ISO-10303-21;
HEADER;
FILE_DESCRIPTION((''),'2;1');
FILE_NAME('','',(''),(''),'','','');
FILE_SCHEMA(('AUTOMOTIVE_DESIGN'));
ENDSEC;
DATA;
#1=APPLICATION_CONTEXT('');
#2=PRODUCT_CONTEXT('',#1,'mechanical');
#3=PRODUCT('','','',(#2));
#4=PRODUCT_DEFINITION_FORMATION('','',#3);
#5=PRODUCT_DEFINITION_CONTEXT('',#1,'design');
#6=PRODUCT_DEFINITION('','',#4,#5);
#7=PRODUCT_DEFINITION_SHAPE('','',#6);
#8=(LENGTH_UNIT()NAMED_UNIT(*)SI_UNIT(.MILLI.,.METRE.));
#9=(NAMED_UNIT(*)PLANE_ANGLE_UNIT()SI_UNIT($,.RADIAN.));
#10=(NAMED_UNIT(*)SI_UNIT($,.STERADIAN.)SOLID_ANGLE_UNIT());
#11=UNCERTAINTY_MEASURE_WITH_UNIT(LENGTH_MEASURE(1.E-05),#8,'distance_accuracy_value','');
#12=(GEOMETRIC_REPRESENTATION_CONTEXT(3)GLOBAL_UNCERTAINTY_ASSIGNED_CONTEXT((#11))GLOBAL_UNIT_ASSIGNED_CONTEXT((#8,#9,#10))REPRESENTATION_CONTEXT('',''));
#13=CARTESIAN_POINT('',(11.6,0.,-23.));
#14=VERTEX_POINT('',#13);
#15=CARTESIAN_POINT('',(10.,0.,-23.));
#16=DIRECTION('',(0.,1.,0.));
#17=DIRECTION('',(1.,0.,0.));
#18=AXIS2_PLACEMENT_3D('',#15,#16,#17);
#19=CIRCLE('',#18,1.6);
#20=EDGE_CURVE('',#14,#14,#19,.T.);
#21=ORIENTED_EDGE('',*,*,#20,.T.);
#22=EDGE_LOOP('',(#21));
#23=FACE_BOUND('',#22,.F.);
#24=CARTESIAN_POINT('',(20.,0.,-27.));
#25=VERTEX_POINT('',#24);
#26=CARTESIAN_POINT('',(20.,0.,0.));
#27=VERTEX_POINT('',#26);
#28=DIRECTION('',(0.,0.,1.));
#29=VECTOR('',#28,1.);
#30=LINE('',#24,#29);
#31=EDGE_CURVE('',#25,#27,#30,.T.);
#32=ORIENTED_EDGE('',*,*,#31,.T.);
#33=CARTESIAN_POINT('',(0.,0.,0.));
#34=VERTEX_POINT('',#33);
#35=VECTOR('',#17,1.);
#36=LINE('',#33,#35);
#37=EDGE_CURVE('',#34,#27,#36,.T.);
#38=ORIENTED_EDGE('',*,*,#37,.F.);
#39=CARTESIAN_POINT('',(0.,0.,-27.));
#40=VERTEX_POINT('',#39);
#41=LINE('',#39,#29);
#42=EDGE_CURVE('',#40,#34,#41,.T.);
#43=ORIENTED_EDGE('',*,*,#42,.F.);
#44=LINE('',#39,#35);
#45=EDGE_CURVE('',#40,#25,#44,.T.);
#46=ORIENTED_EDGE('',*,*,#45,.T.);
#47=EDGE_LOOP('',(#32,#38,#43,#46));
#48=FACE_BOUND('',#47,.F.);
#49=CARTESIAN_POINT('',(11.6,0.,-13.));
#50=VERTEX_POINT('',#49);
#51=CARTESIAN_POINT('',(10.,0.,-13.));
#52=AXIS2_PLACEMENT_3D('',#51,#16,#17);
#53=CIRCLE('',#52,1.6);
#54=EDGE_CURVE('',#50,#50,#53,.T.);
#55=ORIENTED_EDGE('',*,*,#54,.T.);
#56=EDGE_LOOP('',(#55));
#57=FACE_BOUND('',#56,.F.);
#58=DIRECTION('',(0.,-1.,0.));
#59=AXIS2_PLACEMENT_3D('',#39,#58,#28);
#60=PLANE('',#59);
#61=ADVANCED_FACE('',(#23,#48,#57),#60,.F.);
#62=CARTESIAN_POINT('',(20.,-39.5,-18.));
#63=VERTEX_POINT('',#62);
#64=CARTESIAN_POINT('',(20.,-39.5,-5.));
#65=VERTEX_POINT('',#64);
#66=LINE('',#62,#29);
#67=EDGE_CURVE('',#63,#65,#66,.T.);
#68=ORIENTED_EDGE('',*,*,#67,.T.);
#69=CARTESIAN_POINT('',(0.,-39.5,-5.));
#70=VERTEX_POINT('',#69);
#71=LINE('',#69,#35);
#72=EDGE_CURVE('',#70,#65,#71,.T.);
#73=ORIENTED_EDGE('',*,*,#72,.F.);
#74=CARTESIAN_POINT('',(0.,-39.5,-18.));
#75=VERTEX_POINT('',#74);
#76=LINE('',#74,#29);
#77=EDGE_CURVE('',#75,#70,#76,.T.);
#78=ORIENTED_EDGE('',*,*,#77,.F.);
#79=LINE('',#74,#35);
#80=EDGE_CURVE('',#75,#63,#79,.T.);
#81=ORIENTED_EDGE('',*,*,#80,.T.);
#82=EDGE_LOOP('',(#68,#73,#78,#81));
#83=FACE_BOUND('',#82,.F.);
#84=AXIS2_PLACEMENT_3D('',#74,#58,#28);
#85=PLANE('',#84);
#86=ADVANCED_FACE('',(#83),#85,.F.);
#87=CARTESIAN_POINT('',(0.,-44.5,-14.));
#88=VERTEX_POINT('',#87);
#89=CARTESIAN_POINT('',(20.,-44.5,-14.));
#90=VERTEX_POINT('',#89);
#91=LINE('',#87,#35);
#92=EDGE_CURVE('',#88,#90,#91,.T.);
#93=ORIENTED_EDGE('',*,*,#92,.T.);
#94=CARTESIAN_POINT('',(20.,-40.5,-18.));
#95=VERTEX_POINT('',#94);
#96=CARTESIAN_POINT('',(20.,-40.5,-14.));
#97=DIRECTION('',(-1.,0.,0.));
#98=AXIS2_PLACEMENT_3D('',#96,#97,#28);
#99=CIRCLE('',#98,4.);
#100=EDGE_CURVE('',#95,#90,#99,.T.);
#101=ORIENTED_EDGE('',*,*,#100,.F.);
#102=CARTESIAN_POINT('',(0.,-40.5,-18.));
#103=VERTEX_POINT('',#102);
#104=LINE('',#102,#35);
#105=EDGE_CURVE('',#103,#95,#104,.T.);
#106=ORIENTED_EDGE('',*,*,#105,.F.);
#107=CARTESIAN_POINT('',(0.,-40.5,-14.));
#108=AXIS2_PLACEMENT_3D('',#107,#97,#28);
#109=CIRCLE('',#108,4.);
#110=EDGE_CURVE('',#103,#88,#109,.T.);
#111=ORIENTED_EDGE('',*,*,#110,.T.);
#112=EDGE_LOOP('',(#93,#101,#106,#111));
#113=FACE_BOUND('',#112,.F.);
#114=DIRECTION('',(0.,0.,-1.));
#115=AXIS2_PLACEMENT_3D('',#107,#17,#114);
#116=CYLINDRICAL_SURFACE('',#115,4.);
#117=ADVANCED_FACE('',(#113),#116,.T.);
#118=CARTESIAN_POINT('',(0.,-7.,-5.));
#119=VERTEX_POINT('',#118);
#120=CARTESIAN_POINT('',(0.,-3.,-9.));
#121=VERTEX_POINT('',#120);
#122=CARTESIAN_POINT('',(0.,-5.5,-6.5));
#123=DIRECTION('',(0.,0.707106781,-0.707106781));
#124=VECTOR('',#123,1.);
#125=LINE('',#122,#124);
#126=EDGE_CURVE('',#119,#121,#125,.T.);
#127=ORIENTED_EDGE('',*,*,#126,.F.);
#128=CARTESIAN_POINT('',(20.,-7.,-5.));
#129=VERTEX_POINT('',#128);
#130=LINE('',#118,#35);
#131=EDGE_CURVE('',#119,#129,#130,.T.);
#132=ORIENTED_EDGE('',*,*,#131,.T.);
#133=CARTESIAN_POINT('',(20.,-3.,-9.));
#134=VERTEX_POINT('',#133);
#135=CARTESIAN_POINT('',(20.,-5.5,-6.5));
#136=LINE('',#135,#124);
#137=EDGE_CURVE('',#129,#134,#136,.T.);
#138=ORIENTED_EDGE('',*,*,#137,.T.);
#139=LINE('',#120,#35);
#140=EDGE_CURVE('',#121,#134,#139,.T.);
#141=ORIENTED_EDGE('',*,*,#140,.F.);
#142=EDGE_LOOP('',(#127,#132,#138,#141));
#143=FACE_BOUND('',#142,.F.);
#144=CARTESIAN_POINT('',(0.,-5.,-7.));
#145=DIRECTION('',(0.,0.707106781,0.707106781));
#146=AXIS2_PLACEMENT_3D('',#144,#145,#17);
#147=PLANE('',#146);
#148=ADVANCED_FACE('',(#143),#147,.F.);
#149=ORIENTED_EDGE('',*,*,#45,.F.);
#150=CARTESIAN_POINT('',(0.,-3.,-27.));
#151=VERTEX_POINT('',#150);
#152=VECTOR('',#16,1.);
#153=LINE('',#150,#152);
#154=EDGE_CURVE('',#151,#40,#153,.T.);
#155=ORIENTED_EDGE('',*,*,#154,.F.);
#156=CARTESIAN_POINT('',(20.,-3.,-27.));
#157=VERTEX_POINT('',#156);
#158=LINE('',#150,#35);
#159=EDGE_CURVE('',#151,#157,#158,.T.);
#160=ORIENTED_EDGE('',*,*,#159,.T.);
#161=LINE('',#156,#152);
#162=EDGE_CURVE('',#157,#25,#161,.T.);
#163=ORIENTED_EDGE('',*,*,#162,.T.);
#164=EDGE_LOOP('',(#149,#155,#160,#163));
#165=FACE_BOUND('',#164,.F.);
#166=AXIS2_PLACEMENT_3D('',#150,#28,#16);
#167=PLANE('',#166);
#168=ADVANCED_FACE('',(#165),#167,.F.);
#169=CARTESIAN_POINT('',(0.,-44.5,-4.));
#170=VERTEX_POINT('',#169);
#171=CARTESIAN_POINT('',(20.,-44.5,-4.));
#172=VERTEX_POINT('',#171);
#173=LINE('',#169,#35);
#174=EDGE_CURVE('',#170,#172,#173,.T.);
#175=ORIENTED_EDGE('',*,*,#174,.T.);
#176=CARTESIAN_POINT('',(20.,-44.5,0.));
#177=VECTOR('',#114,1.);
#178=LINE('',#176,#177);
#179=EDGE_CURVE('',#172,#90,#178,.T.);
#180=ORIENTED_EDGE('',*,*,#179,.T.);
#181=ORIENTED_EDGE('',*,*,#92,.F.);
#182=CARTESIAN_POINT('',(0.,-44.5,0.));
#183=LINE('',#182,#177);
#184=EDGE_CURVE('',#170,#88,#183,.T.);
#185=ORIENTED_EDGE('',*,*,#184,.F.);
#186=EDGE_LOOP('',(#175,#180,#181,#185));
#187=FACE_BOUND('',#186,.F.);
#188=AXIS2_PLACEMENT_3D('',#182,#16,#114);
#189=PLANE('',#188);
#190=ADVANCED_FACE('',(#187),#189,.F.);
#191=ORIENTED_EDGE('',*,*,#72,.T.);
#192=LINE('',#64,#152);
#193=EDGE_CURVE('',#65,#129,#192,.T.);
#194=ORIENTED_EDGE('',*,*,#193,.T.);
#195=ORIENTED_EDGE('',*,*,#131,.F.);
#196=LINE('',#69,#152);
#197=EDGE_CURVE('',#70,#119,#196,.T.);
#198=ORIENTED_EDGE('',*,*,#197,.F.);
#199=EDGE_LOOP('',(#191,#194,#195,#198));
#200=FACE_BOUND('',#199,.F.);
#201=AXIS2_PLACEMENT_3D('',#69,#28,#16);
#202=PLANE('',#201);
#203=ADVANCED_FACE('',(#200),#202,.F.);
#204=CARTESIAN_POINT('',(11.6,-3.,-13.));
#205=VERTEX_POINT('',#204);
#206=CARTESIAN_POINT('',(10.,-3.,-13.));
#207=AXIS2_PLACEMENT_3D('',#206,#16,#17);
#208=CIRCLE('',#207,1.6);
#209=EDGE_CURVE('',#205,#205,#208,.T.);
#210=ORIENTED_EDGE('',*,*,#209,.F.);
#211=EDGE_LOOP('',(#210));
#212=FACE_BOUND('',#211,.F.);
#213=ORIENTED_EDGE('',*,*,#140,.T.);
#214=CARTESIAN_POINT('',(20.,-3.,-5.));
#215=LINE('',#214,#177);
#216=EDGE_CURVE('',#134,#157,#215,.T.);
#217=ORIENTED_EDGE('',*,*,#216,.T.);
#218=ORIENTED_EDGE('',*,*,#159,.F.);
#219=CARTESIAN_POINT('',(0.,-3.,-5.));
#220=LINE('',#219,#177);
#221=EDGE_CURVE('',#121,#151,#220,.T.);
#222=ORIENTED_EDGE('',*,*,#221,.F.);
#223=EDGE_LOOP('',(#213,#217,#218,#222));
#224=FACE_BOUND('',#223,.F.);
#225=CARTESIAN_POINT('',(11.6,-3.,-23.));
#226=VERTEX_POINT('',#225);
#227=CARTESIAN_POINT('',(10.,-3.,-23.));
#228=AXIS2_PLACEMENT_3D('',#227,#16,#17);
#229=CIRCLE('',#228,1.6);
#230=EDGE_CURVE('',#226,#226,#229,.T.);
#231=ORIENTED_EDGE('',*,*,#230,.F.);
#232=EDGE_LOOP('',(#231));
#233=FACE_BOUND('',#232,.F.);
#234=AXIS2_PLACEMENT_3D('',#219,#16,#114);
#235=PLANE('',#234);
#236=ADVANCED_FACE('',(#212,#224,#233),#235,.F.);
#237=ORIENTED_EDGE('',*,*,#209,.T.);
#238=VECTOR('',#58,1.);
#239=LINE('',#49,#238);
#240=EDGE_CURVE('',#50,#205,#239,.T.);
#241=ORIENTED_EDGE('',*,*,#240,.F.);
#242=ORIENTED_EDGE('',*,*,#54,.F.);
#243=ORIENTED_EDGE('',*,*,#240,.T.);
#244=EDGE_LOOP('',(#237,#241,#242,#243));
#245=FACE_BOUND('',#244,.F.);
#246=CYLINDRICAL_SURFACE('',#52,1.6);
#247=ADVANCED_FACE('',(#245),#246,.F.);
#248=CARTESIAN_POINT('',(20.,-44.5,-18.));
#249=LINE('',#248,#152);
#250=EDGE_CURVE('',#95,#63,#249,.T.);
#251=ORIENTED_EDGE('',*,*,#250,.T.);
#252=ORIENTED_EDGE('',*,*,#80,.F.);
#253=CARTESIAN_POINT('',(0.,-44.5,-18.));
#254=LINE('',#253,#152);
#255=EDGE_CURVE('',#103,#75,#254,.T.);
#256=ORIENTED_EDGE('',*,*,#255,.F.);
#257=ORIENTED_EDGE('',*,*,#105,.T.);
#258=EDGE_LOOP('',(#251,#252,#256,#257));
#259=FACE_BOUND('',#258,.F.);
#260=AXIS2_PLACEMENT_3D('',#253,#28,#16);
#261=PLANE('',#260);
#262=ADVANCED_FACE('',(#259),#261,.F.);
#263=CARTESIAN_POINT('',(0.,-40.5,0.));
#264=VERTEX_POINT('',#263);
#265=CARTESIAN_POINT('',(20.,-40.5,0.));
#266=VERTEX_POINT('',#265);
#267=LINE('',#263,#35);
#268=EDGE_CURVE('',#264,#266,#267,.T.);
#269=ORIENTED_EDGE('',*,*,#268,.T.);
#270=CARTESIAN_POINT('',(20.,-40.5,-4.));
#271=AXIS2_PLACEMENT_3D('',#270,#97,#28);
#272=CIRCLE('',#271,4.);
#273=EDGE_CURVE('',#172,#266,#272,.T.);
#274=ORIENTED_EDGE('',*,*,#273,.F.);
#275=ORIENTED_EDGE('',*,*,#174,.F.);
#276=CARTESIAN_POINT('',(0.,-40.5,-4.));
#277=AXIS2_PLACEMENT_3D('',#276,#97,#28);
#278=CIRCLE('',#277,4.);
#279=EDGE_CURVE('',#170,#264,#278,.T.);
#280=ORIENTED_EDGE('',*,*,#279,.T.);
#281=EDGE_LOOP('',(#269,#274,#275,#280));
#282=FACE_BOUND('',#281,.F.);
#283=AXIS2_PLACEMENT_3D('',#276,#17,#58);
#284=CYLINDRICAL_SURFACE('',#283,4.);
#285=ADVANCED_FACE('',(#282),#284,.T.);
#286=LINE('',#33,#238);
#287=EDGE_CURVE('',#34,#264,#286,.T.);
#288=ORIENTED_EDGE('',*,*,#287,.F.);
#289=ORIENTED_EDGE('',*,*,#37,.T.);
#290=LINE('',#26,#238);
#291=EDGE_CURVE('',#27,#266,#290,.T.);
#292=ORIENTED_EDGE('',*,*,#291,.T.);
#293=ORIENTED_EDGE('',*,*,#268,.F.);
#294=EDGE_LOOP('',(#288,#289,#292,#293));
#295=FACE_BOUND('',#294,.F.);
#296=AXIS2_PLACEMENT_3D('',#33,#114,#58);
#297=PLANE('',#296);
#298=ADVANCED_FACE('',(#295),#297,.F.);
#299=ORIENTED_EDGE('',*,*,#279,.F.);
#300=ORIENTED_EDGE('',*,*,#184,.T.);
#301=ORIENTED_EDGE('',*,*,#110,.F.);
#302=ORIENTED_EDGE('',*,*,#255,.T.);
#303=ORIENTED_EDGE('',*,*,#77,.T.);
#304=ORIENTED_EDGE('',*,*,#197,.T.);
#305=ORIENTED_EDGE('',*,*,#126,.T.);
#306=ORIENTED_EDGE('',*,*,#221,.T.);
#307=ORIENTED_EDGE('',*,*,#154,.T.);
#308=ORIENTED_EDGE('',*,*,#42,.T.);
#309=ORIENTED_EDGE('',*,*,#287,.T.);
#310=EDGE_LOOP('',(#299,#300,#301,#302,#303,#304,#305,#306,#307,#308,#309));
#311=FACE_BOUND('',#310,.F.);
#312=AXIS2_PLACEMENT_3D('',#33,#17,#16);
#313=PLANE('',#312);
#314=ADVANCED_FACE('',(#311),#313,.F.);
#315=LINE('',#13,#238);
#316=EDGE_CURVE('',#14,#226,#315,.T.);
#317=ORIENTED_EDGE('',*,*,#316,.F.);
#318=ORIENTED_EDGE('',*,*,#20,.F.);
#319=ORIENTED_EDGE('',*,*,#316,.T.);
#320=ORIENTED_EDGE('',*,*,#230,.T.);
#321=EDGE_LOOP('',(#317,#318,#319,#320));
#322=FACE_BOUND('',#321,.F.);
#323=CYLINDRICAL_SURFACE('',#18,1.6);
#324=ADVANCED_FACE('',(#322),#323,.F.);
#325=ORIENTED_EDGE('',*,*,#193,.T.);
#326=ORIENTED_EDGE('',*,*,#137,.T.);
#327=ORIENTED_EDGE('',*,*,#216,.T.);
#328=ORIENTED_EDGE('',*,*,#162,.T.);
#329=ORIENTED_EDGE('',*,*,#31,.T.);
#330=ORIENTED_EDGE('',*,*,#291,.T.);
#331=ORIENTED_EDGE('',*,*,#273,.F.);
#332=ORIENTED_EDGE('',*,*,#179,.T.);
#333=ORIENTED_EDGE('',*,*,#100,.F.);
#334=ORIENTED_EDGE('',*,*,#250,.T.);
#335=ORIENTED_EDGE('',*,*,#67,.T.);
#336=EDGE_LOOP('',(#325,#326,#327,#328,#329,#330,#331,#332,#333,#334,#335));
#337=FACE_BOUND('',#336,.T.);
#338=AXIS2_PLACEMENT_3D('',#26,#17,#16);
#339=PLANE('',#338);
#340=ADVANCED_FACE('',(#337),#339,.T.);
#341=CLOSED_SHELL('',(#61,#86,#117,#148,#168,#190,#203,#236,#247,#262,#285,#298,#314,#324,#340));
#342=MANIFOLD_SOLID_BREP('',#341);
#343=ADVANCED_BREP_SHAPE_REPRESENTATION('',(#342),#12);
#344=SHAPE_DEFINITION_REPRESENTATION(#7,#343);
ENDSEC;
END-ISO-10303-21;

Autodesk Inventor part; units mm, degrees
ref_plane "YZ Plane" through (0, 0, 0) normal (1, 0, 0) x (0, 1, 0)
ref_plane "XZ Plane" through (0, 0, 0) normal (0, 1, 0) x (-1, 0, 0)
ref_plane "XY Plane" through (0, 0, 0) normal (0, 0, 1) x (1, 0, 0)
sketch "Sketch1" plane through (0, 0, 0) normal (1, 0, 0) x (0, 1, 0)
  line L0 (0, 0) -> (-44.5, 0)
  line L1 (-44.5, 0) -> (-44.5, -18)
  line L2 (-44.5, -18) -> (-39.5, -18)
  line L3 (-39.5, -18) -> (-39.5, -5)
  line L4 (-39.5, -5) -> (-3, -5)
  line L5 (-3, -5) -> (-3, -27)
  line L6 (-3, -27) -> (0, -27)
  line L7 (0, -27) -> (0, 0)
  dimension "d0" = 3
  dimension "d1" = 44.5
  dimension "d2" = 5
  dimension "d3" = 27
  dimension "d4" = 18
  dimension "d5" = 5
extrude "Extrusion1" add sketch "Sketch1" along normal blind 20
fillet "Fillet1" radius 4 2 edges at (10, -44.5, 0) (10, -44.5, -18)
chamfer "Chamfer1" distance 4 angle 45 1 edges at (10, -3, -5)
sketch "Sketch2" plane through (0, 0, 0) normal (0, 1, 0) x (1, 0, 0)
  circle A0 centre (10, 13) radius 1.6
  circle A1 centre (10, 23) radius 1.6
  line L0 (0, 0) -> (20, 0) construction
  line L1 (10, 0) -> (10, 27) construction
  line L2 (0, 27) -> (20, 27) construction
  dimension "d12" = 3.2
  dimension "d13" = 13
  dimension "d14" = 10
extrude "Extrusion2" cut sketch "Sketch2" against normal up to surface (3 mm away)
properties part number "Front_Skit_Plate"
